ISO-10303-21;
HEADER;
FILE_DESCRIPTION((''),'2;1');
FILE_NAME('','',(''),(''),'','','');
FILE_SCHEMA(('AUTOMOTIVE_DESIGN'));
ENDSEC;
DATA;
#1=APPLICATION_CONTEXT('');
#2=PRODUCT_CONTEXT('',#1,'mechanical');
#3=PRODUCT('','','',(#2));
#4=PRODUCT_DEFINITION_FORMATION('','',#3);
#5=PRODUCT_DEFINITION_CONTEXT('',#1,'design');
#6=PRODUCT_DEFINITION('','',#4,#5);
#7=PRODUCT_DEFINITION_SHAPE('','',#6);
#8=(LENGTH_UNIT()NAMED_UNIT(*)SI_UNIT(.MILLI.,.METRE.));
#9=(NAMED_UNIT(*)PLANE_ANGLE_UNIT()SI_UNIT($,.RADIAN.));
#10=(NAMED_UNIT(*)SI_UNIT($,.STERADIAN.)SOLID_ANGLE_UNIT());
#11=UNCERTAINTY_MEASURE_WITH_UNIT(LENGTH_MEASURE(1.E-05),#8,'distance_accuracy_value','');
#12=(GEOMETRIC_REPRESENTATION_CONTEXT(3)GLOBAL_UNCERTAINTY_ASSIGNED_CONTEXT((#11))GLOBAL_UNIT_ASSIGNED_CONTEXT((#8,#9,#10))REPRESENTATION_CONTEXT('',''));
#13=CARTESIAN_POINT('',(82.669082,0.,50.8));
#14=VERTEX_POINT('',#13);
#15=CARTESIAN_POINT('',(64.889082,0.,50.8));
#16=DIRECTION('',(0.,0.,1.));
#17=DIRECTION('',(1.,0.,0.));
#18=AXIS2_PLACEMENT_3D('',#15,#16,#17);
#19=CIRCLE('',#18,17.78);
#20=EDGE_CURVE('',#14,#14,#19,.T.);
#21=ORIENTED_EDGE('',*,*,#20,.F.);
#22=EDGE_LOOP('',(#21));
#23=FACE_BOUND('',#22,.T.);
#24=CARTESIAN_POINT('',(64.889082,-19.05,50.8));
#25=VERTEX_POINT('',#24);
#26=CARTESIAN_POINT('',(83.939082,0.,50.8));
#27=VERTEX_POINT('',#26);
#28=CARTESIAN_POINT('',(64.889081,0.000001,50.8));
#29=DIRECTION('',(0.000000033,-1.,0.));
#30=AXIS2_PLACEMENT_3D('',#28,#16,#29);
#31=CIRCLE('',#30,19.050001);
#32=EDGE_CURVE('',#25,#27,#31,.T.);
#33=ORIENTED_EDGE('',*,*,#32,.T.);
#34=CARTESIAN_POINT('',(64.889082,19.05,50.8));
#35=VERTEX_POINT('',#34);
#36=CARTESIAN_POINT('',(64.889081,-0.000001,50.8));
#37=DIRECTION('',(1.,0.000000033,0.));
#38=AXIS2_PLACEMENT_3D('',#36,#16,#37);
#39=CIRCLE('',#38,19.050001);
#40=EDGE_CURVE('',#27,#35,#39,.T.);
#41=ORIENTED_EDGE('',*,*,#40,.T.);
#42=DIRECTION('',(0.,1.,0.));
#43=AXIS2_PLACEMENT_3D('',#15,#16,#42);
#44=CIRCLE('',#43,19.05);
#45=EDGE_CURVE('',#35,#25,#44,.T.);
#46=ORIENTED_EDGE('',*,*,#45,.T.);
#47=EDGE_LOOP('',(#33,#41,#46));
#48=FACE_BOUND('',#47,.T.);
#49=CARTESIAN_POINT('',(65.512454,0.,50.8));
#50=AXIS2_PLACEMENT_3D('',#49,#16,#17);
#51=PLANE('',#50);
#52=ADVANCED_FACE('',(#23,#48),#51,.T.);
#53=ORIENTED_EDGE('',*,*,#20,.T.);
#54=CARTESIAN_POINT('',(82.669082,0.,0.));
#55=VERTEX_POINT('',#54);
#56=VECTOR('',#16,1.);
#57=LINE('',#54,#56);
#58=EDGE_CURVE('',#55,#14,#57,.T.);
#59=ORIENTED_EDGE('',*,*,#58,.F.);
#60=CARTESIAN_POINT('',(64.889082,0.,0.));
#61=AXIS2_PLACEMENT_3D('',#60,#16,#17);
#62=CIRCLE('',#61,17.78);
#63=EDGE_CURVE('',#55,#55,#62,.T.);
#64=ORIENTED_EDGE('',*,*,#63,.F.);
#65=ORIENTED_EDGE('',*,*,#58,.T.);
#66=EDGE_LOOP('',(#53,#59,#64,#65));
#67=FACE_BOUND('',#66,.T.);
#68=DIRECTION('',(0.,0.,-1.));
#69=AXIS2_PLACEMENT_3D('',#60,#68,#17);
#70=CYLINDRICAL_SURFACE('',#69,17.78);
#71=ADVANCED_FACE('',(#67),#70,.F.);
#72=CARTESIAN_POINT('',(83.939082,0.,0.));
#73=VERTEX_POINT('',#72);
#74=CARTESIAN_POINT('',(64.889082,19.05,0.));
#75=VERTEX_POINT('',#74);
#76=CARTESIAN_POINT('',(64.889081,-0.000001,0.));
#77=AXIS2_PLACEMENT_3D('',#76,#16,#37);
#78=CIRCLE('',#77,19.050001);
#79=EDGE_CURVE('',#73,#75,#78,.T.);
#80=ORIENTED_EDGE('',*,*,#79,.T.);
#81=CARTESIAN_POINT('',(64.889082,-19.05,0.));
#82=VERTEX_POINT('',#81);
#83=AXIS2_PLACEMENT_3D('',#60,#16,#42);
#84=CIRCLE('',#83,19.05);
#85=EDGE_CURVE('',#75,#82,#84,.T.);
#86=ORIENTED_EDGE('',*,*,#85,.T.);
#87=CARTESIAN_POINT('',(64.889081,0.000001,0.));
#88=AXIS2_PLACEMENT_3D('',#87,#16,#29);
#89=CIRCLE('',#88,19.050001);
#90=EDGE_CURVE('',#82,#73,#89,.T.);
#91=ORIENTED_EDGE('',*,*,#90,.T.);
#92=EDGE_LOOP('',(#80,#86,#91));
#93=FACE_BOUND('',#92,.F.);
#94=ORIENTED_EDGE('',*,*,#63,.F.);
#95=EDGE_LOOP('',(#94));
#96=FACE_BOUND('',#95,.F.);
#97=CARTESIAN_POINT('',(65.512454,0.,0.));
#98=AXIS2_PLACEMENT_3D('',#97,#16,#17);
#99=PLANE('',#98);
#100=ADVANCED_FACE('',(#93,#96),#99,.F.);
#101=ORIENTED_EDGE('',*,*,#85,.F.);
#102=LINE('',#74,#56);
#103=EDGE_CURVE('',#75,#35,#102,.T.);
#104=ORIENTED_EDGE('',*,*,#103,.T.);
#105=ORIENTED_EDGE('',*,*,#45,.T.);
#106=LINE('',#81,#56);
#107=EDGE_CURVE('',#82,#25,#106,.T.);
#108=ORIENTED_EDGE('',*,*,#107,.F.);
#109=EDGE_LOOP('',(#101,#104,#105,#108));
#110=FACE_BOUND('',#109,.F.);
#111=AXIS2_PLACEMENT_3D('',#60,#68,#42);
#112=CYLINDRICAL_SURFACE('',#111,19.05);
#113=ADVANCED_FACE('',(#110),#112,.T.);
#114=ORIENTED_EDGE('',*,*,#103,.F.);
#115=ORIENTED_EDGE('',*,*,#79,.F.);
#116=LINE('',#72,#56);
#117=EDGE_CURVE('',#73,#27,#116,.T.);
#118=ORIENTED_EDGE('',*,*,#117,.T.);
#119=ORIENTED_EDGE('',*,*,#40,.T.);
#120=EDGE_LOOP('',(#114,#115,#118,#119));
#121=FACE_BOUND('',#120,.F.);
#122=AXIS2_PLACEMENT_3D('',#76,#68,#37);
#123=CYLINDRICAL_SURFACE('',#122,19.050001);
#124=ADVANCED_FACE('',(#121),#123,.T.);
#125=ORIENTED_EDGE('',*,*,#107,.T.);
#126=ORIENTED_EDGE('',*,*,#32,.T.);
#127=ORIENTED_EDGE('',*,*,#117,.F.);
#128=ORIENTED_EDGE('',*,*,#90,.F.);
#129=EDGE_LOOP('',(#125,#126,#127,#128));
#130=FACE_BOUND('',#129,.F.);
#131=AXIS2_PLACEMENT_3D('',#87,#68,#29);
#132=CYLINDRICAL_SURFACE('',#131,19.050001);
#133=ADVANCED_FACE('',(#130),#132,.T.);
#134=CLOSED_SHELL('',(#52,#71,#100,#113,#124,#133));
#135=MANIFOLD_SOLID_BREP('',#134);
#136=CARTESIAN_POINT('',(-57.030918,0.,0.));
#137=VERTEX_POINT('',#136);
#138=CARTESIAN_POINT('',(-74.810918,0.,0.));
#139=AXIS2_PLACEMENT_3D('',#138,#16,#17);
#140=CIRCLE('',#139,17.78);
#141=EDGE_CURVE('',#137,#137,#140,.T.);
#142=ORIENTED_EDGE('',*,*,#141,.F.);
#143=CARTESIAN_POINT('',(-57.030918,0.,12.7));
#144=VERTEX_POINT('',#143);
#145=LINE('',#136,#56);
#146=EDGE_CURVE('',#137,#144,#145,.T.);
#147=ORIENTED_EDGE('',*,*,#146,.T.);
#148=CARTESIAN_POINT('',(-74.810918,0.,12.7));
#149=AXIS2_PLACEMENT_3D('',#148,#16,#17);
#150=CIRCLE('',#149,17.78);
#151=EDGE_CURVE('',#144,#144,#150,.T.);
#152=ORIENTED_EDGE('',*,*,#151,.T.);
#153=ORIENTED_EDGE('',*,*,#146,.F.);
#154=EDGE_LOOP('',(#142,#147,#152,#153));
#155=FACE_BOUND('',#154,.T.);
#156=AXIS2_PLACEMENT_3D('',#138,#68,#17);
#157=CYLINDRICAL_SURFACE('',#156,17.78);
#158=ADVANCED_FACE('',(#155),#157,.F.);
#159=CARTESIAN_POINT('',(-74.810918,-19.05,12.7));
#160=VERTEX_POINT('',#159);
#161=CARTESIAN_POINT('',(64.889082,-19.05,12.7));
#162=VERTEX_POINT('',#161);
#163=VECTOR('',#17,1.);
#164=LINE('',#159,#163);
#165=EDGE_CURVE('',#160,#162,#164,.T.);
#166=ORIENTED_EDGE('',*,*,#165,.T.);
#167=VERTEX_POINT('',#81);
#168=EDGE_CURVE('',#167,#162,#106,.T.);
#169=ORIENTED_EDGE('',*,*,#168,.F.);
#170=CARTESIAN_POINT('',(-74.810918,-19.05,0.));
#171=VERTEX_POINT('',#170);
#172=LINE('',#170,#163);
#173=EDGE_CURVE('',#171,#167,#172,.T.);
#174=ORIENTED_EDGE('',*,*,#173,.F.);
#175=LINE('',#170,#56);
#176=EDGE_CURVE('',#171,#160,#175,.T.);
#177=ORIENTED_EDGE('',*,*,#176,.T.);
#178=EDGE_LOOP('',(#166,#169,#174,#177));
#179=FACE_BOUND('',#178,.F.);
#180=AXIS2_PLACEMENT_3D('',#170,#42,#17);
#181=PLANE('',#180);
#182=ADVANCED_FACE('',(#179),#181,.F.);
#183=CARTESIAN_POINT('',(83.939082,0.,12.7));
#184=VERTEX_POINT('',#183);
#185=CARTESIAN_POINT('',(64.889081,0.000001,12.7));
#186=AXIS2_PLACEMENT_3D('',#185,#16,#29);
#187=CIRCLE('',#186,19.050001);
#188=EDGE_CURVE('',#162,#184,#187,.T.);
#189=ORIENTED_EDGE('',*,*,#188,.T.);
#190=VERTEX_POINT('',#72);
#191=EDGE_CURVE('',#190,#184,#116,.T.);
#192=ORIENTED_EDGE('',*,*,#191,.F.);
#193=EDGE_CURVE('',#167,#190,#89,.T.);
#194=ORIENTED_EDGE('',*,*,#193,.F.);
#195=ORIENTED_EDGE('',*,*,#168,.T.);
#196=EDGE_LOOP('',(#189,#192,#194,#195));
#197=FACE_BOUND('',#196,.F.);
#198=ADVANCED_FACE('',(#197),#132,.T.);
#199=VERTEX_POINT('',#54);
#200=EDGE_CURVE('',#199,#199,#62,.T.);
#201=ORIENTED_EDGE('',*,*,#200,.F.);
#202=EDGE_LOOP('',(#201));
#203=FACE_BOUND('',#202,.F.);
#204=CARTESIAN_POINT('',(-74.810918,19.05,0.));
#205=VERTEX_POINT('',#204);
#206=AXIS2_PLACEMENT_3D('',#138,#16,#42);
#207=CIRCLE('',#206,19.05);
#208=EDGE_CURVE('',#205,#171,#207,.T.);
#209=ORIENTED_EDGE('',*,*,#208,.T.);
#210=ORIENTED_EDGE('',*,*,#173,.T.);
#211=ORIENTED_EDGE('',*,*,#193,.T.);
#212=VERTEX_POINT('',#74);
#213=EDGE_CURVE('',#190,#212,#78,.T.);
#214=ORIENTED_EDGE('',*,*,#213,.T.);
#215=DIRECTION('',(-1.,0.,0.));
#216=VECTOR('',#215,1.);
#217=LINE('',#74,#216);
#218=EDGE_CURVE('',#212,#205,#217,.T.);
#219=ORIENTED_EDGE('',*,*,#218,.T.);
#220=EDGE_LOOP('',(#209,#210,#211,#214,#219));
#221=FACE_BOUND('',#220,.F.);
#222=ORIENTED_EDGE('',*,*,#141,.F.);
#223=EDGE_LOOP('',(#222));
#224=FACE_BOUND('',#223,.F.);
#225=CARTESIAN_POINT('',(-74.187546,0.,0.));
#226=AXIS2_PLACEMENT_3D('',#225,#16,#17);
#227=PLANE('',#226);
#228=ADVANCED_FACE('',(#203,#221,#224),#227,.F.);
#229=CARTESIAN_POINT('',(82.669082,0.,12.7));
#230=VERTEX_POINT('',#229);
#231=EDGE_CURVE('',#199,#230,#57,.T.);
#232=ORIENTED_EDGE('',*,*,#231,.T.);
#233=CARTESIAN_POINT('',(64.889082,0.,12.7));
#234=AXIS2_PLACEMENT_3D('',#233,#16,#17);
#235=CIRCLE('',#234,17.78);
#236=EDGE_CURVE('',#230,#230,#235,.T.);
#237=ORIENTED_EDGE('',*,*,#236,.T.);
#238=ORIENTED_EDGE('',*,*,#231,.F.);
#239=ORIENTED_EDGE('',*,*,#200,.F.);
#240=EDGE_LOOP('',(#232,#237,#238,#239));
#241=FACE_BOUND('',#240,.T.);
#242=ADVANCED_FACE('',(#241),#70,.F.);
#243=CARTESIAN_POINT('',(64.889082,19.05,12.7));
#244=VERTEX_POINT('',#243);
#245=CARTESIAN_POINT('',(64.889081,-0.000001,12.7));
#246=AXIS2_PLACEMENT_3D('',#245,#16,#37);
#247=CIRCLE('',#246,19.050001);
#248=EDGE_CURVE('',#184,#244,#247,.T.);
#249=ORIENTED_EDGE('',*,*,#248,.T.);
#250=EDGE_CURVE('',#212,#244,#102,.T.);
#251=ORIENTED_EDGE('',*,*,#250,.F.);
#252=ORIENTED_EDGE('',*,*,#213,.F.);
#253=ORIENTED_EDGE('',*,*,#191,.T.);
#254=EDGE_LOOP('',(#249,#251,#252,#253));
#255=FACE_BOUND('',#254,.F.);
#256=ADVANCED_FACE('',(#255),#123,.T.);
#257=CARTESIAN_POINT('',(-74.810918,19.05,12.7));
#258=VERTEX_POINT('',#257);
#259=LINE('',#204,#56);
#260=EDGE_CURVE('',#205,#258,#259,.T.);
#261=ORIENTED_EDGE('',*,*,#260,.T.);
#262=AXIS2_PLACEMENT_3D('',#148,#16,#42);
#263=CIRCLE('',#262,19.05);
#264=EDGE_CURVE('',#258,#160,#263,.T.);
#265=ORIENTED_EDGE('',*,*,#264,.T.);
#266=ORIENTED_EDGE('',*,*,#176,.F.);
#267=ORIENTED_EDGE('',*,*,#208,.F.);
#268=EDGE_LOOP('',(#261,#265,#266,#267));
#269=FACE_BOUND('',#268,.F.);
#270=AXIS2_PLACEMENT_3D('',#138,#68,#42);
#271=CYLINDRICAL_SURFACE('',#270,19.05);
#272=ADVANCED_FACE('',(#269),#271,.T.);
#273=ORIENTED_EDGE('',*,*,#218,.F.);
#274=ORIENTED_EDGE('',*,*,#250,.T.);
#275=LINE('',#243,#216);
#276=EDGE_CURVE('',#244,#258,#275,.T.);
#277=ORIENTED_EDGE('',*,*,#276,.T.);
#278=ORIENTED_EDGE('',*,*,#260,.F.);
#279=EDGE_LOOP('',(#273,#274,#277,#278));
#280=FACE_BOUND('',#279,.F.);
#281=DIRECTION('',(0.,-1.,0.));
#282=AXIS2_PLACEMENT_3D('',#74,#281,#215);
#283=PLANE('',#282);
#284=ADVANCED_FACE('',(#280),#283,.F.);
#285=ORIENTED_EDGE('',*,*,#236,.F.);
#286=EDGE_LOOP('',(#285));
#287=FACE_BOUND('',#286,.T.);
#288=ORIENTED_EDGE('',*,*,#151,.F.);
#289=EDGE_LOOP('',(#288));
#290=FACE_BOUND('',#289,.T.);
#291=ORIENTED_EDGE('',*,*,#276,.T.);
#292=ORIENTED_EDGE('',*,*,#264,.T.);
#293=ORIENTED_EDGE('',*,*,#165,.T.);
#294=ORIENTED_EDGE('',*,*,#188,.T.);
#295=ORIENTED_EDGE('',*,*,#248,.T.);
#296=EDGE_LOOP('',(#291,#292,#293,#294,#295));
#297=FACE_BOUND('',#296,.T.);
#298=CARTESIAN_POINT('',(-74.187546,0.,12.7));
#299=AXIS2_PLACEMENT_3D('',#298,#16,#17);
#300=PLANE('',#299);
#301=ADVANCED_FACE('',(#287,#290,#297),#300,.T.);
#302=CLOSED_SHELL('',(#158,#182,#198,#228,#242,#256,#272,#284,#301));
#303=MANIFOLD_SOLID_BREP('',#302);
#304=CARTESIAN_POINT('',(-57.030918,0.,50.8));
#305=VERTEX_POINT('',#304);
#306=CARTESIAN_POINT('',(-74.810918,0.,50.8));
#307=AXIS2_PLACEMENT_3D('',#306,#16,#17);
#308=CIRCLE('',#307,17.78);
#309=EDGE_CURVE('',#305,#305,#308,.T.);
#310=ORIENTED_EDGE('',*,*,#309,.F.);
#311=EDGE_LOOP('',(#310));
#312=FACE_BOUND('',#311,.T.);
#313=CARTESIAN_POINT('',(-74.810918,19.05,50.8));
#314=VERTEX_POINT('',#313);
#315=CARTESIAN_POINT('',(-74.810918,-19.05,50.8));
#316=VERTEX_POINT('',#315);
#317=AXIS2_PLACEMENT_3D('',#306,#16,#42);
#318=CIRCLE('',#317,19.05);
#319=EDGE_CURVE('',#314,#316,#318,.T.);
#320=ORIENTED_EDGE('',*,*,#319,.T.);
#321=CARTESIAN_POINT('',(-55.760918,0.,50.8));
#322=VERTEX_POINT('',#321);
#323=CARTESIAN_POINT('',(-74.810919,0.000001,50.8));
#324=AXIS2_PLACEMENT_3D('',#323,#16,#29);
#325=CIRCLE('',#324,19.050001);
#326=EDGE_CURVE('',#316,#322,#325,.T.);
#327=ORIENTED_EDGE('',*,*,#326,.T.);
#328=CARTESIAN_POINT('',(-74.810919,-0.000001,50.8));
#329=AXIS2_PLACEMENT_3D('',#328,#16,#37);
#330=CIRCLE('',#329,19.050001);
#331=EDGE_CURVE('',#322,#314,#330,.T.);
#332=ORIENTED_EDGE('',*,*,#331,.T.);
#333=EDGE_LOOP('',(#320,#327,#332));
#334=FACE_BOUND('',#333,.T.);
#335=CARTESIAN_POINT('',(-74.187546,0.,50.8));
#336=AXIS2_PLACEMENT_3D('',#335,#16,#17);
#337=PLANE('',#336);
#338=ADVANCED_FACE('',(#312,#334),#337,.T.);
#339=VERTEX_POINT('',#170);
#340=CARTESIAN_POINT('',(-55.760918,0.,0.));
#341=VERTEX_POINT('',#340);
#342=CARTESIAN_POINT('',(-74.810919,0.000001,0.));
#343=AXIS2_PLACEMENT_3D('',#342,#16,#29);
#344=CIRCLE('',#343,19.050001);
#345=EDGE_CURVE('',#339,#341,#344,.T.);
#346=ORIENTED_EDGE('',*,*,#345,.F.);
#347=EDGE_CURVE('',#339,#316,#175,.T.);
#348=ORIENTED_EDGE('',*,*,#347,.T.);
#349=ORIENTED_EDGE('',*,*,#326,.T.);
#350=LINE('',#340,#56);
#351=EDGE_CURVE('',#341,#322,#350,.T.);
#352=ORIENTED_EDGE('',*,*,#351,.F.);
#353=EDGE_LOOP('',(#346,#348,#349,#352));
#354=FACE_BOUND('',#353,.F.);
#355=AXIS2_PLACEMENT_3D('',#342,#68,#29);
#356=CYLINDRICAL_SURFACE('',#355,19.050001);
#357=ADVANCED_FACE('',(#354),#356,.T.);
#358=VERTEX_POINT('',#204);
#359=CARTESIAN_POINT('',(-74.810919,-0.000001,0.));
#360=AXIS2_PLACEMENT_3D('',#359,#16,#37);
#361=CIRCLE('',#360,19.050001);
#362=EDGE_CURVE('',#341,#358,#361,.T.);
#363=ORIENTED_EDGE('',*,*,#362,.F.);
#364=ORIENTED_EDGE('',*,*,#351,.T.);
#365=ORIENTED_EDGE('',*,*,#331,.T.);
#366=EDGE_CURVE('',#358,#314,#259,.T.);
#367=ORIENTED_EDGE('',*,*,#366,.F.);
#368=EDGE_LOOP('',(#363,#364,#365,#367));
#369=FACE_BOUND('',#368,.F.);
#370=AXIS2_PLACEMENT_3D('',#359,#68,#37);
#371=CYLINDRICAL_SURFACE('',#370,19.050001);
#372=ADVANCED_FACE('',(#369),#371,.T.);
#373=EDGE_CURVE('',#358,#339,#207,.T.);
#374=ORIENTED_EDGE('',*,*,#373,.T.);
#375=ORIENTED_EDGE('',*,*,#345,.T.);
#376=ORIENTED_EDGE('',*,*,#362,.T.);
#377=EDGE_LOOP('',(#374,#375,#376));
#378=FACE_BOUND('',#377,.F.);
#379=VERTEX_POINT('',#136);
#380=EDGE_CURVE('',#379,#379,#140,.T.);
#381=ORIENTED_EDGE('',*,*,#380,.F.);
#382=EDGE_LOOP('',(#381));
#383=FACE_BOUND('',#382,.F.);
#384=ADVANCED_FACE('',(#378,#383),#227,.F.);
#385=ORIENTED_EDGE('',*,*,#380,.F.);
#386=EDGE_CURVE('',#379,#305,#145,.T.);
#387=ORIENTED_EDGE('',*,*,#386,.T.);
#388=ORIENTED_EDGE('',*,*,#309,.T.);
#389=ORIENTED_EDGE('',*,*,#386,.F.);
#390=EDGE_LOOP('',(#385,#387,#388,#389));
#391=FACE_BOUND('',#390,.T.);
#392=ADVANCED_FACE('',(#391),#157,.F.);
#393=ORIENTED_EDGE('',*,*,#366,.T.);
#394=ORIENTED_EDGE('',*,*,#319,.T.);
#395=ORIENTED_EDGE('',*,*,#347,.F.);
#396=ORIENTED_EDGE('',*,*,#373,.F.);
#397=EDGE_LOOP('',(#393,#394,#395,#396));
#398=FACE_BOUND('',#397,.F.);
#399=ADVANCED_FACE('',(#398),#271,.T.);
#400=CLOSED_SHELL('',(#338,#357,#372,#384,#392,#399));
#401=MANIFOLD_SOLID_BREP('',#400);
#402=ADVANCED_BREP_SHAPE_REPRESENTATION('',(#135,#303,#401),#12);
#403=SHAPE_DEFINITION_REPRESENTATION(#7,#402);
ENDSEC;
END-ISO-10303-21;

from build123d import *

# Parameters (mm, degrees)
F0_R     = 17.78
F1_DEPTH = 50.8
F2_DEPTH = 12.7


with BuildPart() as f1:
    # F0 (on Top) → F1 (new body)
    with BuildSketch(Plane.XY):
        with BuildLine():
            ThreePointArc((-74.810918, -19.05), (-61.340534, -13.470384), (-55.760918, 0))
            ThreePointArc((-55.760918, 0), (-61.340534, 13.470384), (-74.810918, 19.05))
            ThreePointArc((-74.810918, 19.05), (-93.860918, 0), (-74.810918, -19.05))
        make_face()
        with Locations((-74.810918, 0)):
            Circle(F0_R, mode=Mode.SUBTRACT)
        with BuildLine():
            ThreePointArc((83.939082, 0), (78.359466, 13.470384), (64.889082, 19.05))
            ThreePointArc((64.889082, 19.05), (45.839082, 0), (64.889082, -19.05))
            ThreePointArc((64.889082, -19.05), (78.359466, -13.470384), (83.939082, 0))
        make_face()
        with Locations((64.889082, 0)):
            Circle(F0_R, mode=Mode.SUBTRACT)
    extrude(amount=F1_DEPTH)


with BuildPart() as f2:
    # F0 (on Top) → F2 (new body)
    with BuildSketch(Plane.XY):
        with BuildLine():
            ThreePointArc((-74.810918, -19.05), (-61.340534, -13.470384), (-55.760918, 0))
            ThreePointArc((-55.760918, 0), (-61.340534, 13.470384), (-74.810918, 19.05))
            ThreePointArc((-74.810918, 19.05), (-93.860918, 0), (-74.810918, -19.05))
        make_face()
        with Locations((-74.810918, 0)):
            Circle(F0_R, mode=Mode.SUBTRACT)
        with BuildLine():
            ThreePointArc((-74.810918, 19.05), (-61.340534, 13.470384), (-55.760918, 0))
            ThreePointArc((-55.760918, 0), (-61.340534, -13.470384), (-74.810918, -19.05))
            Line((-74.810918, -19.05), (64.889082, -19.05))
            ThreePointArc((64.889082, -19.05), (45.839082, 0), (64.889082, 19.05))
            Line((64.889082, 19.05), (-74.810918, 19.05))
        make_face()
        with BuildLine():
            ThreePointArc((83.939082, 0), (78.359466, 13.470384), (64.889082, 19.05))
            ThreePointArc((64.889082, 19.05), (45.839082, 0), (64.889082, -19.05))
            ThreePointArc((64.889082, -19.05), (78.359466, -13.470384), (83.939082, 0))
        make_face()
        with Locations((64.889082, 0)):
            Circle(F0_R, mode=Mode.SUBTRACT)
    extrude(amount=F2_DEPTH)


solid = Compound([f1.part, f2.part])
